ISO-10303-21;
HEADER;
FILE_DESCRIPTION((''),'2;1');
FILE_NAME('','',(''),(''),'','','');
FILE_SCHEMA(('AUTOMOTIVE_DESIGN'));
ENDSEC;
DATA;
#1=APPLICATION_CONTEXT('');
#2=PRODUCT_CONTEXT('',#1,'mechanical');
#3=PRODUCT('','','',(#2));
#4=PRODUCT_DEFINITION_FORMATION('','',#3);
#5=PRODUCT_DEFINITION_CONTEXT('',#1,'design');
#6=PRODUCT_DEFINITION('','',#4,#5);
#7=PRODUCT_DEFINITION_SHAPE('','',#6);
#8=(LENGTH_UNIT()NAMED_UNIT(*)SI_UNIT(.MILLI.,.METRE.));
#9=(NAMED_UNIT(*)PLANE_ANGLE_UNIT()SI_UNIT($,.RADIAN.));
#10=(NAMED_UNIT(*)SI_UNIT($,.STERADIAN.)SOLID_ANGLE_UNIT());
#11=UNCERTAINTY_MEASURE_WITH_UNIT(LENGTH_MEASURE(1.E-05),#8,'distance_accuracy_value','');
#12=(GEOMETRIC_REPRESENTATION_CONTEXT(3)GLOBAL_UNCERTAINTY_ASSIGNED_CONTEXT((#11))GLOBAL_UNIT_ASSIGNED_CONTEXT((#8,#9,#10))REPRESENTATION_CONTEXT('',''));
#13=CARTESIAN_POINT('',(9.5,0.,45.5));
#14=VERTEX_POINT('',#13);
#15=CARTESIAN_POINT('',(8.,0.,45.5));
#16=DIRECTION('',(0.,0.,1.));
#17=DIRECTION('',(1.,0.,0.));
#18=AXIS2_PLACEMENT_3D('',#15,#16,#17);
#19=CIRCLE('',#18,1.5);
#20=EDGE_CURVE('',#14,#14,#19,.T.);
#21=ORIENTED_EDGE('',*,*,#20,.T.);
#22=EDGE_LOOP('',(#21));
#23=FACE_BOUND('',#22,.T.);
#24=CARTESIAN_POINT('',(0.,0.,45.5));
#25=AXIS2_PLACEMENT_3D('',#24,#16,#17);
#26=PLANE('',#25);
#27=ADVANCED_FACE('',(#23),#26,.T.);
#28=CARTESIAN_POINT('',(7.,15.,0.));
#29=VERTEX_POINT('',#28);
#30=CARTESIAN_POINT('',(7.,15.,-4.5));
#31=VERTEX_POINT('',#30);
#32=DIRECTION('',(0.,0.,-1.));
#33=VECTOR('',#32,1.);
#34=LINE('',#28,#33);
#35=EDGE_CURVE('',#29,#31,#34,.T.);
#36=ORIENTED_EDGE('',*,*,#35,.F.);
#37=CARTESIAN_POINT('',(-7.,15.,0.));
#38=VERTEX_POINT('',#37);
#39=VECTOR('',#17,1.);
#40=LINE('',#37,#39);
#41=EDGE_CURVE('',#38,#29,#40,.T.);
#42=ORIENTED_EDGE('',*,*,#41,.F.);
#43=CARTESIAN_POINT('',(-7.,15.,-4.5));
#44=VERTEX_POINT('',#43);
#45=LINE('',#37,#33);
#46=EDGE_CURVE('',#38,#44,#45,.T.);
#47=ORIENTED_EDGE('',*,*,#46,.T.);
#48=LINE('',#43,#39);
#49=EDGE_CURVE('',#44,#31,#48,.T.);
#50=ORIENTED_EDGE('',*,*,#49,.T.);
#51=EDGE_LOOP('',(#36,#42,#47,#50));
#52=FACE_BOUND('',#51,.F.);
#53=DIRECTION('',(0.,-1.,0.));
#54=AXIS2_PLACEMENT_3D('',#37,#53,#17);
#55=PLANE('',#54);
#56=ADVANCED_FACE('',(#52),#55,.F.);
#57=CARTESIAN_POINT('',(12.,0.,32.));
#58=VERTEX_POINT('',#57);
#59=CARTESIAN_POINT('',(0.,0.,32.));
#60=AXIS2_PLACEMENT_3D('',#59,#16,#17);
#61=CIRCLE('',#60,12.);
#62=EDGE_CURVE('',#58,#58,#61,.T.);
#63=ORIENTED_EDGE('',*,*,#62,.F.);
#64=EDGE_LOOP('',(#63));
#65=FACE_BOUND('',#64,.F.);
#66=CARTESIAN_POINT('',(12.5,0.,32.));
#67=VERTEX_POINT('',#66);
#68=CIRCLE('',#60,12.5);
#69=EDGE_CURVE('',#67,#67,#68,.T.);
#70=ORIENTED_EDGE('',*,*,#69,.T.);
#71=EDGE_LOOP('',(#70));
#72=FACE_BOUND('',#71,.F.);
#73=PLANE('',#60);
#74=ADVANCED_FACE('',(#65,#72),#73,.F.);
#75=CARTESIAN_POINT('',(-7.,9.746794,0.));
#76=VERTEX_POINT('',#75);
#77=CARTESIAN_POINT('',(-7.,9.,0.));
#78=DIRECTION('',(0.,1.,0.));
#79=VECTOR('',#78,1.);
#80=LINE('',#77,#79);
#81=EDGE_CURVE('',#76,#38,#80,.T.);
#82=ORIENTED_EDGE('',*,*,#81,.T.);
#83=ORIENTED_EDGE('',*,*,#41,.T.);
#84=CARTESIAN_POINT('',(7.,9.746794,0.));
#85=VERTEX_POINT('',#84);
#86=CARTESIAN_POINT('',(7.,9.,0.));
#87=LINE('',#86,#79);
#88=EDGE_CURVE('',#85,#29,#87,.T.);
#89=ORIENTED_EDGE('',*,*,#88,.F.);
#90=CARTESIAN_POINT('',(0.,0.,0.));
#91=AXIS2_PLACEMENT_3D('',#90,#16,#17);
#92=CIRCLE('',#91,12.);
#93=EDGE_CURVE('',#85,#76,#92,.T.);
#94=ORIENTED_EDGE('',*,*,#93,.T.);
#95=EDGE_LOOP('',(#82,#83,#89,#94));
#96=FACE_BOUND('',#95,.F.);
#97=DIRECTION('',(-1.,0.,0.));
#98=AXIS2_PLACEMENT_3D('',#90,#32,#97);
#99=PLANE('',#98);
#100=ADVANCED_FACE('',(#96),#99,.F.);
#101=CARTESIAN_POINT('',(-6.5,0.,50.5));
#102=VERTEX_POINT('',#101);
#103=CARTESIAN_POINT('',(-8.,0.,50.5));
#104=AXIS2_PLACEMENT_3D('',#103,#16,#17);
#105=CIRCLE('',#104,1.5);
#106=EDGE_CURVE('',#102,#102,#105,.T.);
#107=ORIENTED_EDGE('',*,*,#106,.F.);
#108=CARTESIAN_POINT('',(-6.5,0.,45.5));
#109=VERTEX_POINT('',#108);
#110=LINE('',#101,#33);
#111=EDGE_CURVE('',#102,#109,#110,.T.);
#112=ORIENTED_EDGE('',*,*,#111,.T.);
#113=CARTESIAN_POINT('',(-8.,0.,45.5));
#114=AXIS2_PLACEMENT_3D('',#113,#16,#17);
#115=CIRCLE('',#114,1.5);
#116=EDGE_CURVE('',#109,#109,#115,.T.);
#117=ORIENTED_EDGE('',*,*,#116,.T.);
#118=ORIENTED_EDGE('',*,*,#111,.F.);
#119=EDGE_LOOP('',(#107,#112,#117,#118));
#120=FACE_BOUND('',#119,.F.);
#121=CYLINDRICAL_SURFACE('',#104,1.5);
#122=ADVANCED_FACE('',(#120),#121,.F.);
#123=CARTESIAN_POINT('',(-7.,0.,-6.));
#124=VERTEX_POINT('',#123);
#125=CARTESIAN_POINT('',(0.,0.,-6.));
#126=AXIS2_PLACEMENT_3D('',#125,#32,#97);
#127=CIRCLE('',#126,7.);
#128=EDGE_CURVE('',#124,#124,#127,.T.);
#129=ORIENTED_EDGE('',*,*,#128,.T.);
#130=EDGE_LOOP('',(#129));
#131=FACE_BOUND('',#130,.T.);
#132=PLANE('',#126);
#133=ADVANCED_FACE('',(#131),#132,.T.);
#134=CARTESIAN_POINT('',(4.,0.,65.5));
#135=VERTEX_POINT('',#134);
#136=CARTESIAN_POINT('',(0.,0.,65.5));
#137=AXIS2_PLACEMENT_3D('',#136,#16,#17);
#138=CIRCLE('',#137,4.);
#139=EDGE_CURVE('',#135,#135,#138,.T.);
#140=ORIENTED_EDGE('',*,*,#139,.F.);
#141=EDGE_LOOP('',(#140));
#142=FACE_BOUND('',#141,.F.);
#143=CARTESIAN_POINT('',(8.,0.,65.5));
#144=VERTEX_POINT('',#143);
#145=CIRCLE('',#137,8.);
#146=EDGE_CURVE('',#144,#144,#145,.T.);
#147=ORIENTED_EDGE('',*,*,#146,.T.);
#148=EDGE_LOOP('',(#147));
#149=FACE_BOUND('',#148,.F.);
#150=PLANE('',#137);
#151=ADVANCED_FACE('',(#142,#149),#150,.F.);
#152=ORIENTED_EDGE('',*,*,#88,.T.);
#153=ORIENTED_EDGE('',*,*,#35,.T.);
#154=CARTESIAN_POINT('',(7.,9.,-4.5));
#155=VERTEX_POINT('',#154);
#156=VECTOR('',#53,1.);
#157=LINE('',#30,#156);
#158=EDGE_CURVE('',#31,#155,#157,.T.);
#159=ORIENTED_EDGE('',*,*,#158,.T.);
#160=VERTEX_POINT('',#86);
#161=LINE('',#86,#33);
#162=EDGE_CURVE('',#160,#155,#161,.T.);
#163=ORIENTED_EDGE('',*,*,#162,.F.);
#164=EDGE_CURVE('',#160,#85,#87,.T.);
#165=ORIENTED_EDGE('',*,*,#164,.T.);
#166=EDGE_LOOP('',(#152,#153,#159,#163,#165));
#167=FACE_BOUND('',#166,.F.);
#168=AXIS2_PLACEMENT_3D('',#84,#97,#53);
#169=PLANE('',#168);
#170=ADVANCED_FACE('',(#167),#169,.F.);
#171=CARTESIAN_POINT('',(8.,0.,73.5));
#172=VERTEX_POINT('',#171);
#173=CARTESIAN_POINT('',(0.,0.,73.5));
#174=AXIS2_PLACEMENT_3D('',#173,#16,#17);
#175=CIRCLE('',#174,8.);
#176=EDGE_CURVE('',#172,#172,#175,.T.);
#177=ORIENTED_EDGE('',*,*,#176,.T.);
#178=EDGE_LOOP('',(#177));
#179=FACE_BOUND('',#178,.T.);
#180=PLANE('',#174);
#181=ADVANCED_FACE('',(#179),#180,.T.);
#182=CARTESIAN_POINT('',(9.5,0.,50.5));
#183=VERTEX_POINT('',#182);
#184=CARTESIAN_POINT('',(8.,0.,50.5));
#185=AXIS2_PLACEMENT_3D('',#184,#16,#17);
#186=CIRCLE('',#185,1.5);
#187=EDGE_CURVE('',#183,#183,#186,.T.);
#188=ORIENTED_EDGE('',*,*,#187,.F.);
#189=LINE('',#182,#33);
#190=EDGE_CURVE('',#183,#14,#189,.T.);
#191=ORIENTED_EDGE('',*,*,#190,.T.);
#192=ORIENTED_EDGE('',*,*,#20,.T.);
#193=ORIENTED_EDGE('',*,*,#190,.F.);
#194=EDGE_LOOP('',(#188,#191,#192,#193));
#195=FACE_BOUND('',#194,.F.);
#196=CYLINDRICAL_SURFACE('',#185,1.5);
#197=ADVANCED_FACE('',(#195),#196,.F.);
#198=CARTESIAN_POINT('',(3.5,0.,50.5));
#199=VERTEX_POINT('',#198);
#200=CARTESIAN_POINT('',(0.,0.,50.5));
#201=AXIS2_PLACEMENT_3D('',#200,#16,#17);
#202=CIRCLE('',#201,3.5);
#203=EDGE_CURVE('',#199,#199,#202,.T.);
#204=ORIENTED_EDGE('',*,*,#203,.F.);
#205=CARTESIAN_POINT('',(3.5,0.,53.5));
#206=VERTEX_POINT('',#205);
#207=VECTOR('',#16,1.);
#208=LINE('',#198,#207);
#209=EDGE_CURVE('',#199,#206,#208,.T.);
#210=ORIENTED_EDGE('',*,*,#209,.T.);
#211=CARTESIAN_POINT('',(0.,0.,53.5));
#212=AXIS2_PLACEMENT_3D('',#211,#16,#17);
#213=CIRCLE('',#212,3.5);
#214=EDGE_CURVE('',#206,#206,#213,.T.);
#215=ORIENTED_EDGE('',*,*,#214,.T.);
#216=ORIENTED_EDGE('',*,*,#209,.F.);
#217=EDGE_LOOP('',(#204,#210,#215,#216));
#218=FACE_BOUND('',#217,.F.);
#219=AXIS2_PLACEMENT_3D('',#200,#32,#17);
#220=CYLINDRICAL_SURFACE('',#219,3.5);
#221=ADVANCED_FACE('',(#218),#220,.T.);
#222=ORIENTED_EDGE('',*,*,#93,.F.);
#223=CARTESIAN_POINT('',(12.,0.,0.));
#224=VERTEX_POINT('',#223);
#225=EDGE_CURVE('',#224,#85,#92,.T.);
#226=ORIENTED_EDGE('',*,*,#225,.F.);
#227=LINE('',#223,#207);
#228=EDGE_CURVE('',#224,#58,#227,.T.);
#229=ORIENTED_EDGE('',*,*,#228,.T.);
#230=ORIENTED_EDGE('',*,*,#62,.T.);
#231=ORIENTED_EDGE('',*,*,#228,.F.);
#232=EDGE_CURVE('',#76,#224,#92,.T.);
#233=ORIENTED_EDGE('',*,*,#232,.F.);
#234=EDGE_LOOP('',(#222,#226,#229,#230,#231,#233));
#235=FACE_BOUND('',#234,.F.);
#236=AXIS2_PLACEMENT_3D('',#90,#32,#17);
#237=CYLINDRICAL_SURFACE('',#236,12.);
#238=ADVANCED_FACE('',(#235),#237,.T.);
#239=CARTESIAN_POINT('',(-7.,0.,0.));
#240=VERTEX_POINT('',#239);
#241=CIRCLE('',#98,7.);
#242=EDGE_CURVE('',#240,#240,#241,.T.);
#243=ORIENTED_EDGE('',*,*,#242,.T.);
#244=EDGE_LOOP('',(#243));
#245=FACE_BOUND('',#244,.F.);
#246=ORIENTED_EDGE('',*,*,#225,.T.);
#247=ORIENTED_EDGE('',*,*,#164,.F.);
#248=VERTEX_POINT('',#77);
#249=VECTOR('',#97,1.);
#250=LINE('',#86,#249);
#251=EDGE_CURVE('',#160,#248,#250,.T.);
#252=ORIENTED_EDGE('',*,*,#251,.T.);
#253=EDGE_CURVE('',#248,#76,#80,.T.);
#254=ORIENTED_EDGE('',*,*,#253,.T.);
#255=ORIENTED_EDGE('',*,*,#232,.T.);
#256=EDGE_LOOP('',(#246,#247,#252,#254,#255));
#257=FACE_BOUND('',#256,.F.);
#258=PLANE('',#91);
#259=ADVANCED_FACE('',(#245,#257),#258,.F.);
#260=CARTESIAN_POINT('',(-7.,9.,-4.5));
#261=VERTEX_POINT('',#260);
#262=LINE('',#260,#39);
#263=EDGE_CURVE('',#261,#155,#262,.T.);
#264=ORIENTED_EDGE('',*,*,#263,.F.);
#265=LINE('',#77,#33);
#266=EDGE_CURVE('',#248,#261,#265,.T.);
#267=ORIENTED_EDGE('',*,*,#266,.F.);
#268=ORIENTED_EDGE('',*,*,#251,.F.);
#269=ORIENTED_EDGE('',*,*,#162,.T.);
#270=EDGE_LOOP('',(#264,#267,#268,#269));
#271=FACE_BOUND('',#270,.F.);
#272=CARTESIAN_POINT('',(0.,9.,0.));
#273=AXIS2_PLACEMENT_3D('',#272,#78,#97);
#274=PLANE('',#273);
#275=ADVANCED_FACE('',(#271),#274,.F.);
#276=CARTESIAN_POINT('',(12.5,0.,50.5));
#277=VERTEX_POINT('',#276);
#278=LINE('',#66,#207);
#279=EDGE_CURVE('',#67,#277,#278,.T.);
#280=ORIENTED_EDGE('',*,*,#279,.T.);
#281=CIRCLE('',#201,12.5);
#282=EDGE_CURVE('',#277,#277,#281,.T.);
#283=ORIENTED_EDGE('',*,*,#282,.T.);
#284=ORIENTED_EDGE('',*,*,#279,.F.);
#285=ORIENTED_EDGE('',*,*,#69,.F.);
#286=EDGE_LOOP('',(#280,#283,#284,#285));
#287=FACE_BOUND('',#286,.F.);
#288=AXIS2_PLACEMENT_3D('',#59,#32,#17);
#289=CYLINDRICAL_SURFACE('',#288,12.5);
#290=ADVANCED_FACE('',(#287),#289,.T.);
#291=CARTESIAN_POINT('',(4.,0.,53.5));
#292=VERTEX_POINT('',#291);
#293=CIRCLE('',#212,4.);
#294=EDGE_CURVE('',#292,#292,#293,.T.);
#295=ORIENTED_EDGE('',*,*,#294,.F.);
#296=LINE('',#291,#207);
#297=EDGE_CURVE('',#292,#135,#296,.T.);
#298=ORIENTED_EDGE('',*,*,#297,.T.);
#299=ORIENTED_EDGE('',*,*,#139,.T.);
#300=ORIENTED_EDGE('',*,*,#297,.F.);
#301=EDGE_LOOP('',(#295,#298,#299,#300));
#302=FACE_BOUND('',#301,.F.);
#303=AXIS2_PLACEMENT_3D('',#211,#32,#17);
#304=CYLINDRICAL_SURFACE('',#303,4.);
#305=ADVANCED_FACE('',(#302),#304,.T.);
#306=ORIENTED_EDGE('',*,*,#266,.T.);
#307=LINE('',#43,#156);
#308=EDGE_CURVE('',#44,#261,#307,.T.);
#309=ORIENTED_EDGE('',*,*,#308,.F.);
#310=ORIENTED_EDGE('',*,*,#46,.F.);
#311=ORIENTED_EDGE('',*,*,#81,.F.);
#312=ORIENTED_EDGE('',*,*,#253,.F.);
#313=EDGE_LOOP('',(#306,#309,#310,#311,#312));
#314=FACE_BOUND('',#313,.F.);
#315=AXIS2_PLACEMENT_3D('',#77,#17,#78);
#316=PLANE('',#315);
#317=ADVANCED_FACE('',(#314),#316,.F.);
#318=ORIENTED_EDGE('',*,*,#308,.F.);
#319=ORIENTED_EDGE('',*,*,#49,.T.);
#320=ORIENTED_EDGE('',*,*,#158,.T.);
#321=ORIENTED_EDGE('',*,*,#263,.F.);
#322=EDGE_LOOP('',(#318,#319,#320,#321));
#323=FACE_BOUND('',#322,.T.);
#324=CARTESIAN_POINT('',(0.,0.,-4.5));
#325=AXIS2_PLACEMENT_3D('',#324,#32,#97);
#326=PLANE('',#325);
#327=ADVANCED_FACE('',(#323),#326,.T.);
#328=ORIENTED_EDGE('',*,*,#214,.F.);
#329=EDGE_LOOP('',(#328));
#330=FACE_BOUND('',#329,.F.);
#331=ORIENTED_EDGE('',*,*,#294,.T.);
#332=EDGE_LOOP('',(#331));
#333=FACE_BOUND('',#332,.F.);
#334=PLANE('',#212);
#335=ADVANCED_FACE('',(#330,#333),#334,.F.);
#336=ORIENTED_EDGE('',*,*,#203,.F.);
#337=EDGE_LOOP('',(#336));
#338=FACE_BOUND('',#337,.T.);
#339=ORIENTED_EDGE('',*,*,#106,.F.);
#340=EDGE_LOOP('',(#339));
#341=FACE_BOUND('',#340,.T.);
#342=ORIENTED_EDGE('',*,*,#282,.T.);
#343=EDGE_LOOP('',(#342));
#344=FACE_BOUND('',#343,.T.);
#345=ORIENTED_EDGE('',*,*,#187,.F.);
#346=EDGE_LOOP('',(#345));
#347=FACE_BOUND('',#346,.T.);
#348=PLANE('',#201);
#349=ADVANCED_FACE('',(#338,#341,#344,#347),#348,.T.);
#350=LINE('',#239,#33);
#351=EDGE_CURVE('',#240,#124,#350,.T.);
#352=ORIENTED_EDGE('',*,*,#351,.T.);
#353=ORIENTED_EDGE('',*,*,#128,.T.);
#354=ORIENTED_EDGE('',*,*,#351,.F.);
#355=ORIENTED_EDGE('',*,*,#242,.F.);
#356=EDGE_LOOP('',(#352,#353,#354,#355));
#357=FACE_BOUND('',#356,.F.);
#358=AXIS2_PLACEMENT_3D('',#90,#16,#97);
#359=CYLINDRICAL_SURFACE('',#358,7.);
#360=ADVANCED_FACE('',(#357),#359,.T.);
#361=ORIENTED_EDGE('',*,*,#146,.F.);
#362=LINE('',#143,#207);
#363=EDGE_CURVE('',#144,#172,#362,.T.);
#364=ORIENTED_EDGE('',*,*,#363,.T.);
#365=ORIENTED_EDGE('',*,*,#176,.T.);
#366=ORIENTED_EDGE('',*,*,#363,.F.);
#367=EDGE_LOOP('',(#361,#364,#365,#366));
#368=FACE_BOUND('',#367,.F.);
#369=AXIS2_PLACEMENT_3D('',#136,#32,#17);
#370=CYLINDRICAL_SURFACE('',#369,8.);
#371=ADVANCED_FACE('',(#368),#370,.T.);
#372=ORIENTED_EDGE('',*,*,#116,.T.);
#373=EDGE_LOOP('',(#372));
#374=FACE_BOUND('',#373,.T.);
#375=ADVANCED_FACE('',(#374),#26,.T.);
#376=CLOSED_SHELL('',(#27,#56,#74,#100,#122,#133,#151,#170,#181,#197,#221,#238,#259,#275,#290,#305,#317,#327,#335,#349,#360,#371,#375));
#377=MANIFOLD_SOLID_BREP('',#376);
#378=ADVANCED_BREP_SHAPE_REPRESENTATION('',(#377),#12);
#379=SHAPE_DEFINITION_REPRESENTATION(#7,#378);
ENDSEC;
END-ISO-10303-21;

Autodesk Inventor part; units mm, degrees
ref_plane "YZ Plane" through (0, 0, 0) normal (1, 0, 0) x (0, 1, 0)
ref_plane "XZ Plane" through (0, 0, 0) normal (0, 1, 0) x (-1, 0, 0)
ref_plane "XY Plane" through (0, 0, 0) normal (0, 0, 1) x (1, 0, 0)
sketch "Sketch1" plane through (0, 0, 0) normal (0, 0, 1) x (1, 0, 0)
  circle A0 centre (0, 0) radius 12
  dimension "d0" = 24
extrude "Extrusion1" add sketch "Sketch1" along normal blind 32
sketch "Sketch2" plane through (0, 0, 32) normal (0, 0, 1) x (1, 0, 0)
  circle A0 centre (0, 0) radius 12.5
  dimension "d3" = 25
sketch "Sketch3" plane through (0, 0, 32) normal (0, 0, 1) x (1, 0, 0)
  point P0 (0, 0)
extrude "Extrusion2" add sketch "Sketch2" along normal blind 18.5
sketch "Sketch4" plane through (0, 0, 50.5) normal (0, 0, 1) x (1, 0, 0)
  circle A0 centre (0, 0) radius 3.5
  dimension "d6" = 7
extrude "Extrusion3" add sketch "Sketch4" along normal blind 3
sketch "Sketch7" plane through (0, 0, 0) normal (0, 0, -1) x (-1, 0, 0)
  circle A0 centre (0, 0) radius 7
  dimension "d15" = 14
extrude "Extrusion6" add sketch "Sketch7" along normal blind 6
sketch "Sketch8" plane through (0, 0, 0) normal (0, 0, -1) x (-1, 0, 0)
  circle A0 centre (0, 0) radius 12 projected
  line L0 (0, 9) -> (7, 9)
  line L1 (7, 9) -> (7, 15)
  line L2 (7, 15) -> (-7, 15)
  line L3 (-7, 15) -> (-7, 9)
  line L4 (-7, 9) -> (0, 9)
  dimension "d20" = 7
  dimension "d21" = 14
extrude "Extrusion7" add sketch "Sketch8" along normal blind 4.5 contours L1 L0 L4 L3 A0 | A0 L3 L2 L1 picked at (-3.7936, 9.7239)
sketch "Sketch9" plane through (0, 0, 50.5) normal (0, 0, 1) x (1, 0, 0)
  circle A0 centre (-8, 0) radius 1.5
  circle A1 centre (8, 0) radius 1.5
  point P0 (0, 0)
  dimension "d24" = 3
  dimension "d25" = 8
  dimension "d26" = 3
  dimension "d27" = 8
extrude "Extrusion8" cut sketch "Sketch9" against normal blind 5
sketch "Sketch10" plane through (0, 0, 53.5) normal (0, 0, 1) x (1, 0, 0)
  circle A0 centre (0, 0) radius 4
  dimension "d30" = 8
extrude "Extrusion9" add sketch "Sketch10" along normal blind 12
sketch "Sketch11" plane through (0, 0, 65.5) normal (0, 0, 1) x (1, 0, 0)
  circle A0 centre (0, 0) radius 7 projected
  circle A1 centre (0, 0) radius 8
  dimension "d33" = 16
extrude "Extrusion10" add sketch "Sketch11" along normal blind 8 contours A0 | A1
properties part number "Motor_Place_Holder"
